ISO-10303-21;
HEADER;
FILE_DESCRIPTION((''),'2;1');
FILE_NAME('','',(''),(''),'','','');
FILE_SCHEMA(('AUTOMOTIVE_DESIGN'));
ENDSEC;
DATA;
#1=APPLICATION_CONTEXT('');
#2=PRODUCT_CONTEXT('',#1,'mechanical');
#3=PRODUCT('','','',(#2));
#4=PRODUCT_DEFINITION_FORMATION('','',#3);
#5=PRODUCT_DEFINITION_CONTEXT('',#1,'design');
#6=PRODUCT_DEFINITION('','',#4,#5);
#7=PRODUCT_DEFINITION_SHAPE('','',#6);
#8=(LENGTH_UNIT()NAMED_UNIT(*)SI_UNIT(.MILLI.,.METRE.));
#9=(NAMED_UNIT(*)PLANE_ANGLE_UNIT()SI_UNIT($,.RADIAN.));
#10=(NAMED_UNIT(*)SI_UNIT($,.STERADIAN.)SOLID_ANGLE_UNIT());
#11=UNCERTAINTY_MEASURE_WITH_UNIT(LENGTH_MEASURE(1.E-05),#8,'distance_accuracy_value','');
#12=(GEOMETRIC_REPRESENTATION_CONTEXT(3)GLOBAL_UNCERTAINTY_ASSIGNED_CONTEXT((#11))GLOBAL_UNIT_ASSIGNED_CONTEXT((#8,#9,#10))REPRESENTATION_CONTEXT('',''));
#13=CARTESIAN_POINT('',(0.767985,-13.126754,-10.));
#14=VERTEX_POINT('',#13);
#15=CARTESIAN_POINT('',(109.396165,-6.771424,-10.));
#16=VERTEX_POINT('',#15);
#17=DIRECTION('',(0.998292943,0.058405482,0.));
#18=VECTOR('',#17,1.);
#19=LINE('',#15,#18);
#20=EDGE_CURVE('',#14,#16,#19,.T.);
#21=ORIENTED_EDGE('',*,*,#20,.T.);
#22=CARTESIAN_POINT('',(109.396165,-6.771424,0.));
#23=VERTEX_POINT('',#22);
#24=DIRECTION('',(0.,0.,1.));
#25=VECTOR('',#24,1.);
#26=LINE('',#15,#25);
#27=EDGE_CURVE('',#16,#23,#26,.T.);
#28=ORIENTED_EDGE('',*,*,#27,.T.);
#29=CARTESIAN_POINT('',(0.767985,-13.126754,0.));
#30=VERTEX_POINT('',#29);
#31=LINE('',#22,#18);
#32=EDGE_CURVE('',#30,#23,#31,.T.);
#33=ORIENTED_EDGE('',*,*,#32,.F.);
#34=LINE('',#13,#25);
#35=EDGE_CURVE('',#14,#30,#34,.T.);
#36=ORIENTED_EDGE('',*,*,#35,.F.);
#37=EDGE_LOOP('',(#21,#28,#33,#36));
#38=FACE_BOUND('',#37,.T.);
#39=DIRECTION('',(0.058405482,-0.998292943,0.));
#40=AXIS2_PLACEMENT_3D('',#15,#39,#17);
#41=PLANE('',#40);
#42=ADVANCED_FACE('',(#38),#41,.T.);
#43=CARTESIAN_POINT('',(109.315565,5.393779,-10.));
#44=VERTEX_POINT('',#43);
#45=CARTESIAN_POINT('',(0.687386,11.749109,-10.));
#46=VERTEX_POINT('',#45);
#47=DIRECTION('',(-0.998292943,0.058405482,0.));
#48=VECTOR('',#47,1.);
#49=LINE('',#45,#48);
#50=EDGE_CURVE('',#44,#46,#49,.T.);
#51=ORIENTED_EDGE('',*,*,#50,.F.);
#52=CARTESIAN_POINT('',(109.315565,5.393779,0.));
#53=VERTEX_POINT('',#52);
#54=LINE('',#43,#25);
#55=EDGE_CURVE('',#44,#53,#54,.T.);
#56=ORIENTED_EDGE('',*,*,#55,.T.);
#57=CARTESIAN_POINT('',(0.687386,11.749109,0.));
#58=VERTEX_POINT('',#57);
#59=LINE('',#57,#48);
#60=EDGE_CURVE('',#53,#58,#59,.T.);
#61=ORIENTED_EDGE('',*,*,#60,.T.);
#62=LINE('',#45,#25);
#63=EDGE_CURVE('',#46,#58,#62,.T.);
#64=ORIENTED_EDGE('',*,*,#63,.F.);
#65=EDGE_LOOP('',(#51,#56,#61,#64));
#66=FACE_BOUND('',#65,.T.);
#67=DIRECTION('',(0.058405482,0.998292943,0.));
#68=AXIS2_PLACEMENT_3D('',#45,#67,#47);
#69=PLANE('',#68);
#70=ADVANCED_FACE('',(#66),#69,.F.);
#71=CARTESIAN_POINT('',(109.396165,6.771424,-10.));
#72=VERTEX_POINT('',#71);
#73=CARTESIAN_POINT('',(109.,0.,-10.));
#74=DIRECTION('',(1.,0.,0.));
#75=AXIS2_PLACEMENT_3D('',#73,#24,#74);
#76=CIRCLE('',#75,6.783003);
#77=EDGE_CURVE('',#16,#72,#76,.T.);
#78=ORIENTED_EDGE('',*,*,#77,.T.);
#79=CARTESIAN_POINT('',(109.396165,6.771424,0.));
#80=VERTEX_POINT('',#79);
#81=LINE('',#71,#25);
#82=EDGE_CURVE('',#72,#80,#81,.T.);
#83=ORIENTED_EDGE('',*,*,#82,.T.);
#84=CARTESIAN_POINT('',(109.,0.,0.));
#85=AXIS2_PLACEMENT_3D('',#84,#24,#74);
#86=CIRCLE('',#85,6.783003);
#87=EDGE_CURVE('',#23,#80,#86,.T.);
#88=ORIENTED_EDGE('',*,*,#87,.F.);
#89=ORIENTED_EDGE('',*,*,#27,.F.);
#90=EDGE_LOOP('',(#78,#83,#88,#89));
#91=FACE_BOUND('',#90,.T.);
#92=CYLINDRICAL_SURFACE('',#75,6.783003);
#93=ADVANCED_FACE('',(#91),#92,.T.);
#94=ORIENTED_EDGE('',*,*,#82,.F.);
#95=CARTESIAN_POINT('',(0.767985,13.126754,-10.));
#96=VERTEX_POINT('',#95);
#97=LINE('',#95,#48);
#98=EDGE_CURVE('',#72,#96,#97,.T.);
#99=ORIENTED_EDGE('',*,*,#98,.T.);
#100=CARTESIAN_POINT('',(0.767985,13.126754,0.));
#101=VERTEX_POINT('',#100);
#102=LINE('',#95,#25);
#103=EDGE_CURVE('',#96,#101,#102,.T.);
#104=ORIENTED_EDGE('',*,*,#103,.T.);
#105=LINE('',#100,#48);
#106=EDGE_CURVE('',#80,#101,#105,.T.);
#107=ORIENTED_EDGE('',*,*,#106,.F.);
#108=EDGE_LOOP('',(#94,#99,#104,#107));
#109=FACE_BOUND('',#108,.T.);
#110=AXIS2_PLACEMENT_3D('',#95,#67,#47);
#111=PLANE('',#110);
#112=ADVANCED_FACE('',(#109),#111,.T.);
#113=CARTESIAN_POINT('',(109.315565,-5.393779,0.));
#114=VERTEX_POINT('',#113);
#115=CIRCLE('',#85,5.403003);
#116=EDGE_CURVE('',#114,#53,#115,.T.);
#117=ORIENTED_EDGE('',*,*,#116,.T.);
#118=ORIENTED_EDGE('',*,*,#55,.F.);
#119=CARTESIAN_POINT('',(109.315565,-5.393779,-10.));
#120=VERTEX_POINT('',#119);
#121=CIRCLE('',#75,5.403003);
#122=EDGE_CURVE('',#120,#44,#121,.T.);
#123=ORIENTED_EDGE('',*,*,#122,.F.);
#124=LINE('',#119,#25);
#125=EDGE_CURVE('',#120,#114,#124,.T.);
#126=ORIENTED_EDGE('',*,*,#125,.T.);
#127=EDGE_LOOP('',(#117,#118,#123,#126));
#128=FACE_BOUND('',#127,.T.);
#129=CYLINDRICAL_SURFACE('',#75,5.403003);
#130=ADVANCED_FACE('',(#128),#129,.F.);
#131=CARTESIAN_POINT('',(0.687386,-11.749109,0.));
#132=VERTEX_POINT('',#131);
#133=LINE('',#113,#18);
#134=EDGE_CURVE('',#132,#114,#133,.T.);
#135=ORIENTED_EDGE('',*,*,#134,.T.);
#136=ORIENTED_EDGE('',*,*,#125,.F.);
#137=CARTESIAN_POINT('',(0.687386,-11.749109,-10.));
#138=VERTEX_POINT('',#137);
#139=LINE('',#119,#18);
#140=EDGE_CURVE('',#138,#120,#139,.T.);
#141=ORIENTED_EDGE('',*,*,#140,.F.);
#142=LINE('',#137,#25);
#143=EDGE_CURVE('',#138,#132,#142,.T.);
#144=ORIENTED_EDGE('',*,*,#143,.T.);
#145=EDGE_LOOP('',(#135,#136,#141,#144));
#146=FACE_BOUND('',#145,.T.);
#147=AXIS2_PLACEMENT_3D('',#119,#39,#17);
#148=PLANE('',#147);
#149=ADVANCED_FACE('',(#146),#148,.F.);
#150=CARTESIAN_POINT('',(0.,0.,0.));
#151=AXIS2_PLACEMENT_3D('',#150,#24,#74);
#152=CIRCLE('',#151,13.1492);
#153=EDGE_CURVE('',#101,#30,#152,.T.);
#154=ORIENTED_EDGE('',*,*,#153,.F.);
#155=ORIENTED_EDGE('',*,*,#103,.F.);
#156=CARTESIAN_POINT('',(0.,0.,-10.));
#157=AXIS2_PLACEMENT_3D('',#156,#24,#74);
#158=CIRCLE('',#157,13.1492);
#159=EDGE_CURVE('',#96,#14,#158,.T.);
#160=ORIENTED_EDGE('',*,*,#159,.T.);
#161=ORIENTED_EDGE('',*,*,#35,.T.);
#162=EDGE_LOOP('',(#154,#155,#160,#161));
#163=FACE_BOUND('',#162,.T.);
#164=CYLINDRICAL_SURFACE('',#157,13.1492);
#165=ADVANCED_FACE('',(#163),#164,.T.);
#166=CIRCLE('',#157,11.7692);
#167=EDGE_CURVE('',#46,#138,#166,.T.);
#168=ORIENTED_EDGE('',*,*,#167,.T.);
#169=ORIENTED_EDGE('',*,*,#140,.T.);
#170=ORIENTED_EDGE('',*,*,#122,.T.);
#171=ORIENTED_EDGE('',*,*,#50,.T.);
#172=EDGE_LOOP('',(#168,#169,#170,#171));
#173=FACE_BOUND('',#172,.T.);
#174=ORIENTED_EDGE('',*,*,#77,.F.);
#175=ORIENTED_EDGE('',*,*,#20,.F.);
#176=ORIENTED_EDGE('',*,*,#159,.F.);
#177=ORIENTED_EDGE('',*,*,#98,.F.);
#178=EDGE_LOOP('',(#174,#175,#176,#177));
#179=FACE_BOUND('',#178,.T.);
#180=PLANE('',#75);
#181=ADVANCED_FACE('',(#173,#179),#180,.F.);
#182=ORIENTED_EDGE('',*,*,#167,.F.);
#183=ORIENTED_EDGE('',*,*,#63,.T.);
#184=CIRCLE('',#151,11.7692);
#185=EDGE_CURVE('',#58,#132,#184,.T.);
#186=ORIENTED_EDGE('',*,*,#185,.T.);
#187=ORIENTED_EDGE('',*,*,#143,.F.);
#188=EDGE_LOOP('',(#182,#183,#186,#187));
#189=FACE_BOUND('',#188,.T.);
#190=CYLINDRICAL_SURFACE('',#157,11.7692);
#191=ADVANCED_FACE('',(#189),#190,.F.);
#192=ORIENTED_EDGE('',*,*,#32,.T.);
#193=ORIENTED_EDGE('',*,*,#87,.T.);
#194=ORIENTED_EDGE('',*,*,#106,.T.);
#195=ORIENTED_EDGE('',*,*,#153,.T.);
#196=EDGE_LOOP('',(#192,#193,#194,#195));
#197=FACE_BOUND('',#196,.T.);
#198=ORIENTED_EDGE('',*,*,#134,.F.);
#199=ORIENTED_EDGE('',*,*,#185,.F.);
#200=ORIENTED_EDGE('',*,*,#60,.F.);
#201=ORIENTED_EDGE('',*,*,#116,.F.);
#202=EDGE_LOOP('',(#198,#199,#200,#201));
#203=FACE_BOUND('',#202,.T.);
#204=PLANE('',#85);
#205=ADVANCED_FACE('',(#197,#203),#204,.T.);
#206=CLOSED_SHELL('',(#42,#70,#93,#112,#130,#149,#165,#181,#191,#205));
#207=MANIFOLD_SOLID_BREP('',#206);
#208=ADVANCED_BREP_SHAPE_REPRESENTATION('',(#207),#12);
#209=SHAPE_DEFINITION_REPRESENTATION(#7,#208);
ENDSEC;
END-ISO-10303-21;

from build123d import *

# Parameters (mm, degrees)
EXTRUDE_1_DEPTH = 10


with BuildPart() as part:
    # Эскиз1 → Бобышка-Вытянуть1 (new body)
    with BuildSketch(Plane.XY):
        with BuildLine():
            Line((0.767985359, 13.126753564), (109.396164528, 6.771423527))
            ThreePointArc((109.396164528, 6.771423527), (115.7830025, 0), (109.396164528, -6.771423527))
            Line((109.396164528, -6.771423527), (0.767985359, -13.126753564))
            ThreePointArc((0.767985359, -13.126753564), (-13.1492, 0), (0.767985359, 13.126753564))
        make_face()
        with BuildLine():
            Line((109.315564963, -5.393779266), (0.687385795, -11.749109303))
            ThreePointArc((0.687385795, -11.749109303), (-11.7692, 0), (0.687385795, 11.749109303))
            Line((0.687385795, 11.749109303), (109.315564963, 5.393779266))
            ThreePointArc((109.315564963, 5.393779266), (114.4030025, 0), (109.315564963, -5.393779266))
        make_face(mode=Mode.SUBTRACT)
    extrude(amount=-EXTRUDE_1_DEPTH)


solid = part.part
